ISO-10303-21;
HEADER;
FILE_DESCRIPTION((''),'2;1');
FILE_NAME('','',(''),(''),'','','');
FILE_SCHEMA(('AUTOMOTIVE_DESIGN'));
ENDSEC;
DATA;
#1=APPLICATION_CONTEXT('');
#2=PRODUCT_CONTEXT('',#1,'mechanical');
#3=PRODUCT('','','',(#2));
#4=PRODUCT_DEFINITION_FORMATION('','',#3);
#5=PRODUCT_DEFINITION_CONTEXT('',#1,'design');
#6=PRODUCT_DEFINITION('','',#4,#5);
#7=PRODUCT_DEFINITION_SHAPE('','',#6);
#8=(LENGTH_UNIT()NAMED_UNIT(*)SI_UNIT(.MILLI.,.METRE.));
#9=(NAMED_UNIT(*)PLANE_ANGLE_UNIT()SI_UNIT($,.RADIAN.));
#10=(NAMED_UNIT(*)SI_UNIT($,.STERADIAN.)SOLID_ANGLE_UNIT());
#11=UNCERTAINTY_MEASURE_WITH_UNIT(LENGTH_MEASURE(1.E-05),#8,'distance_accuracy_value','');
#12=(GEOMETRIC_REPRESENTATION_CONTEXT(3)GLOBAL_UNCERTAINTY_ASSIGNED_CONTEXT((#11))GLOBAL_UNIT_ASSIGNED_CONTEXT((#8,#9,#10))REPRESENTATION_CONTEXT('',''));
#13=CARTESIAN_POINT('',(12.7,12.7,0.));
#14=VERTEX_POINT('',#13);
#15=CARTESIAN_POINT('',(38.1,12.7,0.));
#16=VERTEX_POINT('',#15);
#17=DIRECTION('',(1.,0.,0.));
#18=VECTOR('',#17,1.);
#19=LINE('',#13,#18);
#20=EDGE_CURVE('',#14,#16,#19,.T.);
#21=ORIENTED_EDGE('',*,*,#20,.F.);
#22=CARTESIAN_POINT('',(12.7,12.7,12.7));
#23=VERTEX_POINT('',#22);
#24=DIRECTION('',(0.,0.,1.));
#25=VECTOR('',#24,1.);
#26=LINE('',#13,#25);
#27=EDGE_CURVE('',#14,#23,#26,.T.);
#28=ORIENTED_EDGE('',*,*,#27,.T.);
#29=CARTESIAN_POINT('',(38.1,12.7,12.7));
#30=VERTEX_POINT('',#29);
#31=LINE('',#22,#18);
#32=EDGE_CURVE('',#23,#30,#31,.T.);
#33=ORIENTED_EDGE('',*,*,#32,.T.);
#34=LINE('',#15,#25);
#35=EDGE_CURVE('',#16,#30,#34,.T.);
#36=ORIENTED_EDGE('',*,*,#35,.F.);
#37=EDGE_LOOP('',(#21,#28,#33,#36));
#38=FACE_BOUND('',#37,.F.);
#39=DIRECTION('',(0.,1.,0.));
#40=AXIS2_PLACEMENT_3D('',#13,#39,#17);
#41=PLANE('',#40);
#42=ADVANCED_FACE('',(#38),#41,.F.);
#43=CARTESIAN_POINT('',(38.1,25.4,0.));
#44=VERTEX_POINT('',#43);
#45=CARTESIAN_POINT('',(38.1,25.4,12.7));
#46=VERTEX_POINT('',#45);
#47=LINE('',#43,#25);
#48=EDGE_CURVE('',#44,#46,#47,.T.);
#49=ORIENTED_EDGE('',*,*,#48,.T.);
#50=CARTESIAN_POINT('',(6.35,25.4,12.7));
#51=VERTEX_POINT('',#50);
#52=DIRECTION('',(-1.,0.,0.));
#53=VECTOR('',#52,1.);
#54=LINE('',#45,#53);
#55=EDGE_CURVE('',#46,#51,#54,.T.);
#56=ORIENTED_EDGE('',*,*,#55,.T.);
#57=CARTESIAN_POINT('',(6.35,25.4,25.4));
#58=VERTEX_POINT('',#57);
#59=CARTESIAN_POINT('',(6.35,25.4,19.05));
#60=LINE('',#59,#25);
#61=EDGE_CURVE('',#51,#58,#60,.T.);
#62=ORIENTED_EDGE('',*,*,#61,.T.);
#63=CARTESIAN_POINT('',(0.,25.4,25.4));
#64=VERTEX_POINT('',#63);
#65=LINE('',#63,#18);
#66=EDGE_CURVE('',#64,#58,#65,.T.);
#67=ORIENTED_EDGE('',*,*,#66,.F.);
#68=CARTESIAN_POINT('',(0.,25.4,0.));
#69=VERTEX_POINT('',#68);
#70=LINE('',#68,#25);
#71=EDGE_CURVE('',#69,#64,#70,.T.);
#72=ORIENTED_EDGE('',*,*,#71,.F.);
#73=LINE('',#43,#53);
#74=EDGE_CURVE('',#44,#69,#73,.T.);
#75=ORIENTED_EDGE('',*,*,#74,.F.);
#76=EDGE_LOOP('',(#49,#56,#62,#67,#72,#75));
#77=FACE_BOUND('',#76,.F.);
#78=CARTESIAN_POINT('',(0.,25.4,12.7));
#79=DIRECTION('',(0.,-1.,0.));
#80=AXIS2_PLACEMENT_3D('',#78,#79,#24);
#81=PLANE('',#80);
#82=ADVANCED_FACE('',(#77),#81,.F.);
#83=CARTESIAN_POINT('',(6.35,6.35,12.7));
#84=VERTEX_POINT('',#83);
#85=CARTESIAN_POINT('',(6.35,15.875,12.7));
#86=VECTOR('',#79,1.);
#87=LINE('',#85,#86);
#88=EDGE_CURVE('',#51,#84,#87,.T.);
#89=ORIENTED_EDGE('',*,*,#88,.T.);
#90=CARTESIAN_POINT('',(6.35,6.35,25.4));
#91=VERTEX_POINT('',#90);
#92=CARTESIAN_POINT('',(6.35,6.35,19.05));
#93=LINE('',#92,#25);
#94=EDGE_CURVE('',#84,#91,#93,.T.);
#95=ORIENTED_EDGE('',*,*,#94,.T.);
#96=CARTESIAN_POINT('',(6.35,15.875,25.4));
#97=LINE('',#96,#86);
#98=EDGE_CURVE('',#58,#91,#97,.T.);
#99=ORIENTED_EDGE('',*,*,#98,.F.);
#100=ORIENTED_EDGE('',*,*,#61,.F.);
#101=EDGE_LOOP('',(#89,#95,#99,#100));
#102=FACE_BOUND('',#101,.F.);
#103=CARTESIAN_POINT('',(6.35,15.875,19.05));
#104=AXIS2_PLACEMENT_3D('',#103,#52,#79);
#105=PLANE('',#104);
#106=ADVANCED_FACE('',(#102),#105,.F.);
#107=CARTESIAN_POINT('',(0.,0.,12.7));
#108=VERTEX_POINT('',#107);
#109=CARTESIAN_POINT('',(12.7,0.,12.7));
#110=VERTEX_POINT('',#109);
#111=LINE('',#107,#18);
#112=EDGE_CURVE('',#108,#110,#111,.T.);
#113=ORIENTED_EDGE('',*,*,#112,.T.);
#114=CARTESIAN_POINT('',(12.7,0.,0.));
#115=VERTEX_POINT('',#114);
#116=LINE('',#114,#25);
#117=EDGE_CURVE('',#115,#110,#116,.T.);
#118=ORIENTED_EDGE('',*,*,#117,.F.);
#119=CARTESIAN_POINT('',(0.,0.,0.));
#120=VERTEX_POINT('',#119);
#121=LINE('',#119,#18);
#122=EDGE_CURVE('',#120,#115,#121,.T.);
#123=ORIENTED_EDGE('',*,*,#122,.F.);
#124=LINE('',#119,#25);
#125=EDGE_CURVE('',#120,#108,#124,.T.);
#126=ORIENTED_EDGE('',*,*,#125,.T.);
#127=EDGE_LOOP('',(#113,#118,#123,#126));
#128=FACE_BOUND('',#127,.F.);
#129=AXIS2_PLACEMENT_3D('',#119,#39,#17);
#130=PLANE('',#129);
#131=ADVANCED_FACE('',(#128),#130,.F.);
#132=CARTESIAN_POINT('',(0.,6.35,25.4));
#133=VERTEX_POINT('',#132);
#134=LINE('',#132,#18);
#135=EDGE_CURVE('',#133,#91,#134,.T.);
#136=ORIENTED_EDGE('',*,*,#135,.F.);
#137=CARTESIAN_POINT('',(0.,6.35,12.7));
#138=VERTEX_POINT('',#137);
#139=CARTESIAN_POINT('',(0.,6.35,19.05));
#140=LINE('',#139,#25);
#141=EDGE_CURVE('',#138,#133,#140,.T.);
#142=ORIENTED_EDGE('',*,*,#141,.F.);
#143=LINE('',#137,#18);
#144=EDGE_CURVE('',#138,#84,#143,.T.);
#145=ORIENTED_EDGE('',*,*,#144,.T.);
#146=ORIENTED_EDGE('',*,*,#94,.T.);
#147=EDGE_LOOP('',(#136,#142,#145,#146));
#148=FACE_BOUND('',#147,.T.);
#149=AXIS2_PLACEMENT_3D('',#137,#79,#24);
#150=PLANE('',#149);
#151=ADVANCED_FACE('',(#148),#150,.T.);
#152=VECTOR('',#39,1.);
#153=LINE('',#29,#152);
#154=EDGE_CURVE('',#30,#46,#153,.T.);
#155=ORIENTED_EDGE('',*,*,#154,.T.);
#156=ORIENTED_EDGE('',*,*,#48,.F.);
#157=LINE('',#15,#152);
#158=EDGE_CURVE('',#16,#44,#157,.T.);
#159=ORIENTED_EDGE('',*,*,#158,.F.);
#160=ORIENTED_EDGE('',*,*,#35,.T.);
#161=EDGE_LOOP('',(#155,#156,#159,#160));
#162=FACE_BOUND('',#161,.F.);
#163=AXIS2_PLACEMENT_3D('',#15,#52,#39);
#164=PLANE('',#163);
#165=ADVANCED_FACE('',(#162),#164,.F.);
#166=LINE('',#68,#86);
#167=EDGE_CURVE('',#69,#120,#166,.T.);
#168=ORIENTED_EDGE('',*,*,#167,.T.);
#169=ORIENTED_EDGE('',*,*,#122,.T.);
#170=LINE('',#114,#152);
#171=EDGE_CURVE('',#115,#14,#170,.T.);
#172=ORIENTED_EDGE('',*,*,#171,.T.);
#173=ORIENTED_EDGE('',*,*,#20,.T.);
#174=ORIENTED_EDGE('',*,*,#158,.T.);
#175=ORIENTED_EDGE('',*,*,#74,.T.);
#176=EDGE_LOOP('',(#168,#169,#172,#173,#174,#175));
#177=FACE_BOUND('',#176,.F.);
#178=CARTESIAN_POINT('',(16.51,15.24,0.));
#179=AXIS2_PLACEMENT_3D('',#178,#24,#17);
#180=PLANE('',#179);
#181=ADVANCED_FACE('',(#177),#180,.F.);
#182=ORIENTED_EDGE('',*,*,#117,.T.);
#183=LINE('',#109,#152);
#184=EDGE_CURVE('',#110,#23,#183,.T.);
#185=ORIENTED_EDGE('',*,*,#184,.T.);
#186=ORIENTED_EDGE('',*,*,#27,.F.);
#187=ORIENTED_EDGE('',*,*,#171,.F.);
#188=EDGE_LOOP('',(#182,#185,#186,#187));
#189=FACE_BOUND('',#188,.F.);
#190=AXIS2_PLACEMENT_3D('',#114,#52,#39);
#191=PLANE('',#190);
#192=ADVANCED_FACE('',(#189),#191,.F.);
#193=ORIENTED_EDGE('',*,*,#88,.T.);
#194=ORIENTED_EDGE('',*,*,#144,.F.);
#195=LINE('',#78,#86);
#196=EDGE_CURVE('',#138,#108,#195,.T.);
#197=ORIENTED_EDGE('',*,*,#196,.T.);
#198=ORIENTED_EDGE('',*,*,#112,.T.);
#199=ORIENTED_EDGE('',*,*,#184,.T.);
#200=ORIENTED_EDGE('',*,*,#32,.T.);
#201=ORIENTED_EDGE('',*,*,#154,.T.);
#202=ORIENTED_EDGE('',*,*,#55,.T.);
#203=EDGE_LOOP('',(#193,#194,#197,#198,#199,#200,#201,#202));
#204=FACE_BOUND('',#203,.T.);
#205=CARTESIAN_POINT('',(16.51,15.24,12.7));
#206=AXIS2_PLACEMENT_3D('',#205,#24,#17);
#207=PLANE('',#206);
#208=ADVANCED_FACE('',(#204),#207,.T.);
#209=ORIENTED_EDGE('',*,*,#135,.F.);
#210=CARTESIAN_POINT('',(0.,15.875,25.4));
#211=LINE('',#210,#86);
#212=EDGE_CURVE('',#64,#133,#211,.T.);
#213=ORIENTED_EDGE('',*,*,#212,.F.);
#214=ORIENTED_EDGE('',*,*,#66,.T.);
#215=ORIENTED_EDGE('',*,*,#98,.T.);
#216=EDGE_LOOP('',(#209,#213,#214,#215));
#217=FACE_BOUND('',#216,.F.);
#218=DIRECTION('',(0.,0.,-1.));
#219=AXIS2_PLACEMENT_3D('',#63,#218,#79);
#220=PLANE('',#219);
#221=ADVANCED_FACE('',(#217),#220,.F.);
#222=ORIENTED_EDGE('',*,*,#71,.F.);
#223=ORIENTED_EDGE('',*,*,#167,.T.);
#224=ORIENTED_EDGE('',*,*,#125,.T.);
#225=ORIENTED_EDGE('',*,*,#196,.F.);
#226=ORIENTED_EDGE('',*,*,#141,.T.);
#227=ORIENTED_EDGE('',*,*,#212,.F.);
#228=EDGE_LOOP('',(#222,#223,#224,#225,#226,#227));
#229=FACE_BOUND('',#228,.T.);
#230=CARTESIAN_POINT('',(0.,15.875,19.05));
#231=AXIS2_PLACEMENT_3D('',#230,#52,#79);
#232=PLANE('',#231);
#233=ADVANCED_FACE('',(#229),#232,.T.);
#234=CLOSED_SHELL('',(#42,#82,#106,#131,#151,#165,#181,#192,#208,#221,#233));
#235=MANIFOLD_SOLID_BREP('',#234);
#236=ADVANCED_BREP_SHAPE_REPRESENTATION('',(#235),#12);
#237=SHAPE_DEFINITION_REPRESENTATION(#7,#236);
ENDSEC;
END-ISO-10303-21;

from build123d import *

# Parameters (mm, degrees)
F1_DEPTH = 12.7
F2_W     = 19.05
F2_H     = 12.7
F3_DEPTH = 6.35


with BuildPart() as f1:
    # F0 (on Top) → F1 (new body)
    with BuildSketch(Plane.XY):
        Polygon((38.1, 25.4), (0, 25.4), (0, 0), (12.7, 0), (12.7, 12.7), (38.1, 12.7), align=None)
    extrude(amount=F1_DEPTH)

    # F2 (on face) → F3 (join)
    with BuildSketch(Plane(origin=(0, 0, 0), x_dir=(0, -1, 0), z_dir=(-1, 0, 0))):
        with Locations((-15.875, 19.05)):
            Rectangle(F2_W, F2_H)
    extrude(amount=-F3_DEPTH)


solid = f1.part
